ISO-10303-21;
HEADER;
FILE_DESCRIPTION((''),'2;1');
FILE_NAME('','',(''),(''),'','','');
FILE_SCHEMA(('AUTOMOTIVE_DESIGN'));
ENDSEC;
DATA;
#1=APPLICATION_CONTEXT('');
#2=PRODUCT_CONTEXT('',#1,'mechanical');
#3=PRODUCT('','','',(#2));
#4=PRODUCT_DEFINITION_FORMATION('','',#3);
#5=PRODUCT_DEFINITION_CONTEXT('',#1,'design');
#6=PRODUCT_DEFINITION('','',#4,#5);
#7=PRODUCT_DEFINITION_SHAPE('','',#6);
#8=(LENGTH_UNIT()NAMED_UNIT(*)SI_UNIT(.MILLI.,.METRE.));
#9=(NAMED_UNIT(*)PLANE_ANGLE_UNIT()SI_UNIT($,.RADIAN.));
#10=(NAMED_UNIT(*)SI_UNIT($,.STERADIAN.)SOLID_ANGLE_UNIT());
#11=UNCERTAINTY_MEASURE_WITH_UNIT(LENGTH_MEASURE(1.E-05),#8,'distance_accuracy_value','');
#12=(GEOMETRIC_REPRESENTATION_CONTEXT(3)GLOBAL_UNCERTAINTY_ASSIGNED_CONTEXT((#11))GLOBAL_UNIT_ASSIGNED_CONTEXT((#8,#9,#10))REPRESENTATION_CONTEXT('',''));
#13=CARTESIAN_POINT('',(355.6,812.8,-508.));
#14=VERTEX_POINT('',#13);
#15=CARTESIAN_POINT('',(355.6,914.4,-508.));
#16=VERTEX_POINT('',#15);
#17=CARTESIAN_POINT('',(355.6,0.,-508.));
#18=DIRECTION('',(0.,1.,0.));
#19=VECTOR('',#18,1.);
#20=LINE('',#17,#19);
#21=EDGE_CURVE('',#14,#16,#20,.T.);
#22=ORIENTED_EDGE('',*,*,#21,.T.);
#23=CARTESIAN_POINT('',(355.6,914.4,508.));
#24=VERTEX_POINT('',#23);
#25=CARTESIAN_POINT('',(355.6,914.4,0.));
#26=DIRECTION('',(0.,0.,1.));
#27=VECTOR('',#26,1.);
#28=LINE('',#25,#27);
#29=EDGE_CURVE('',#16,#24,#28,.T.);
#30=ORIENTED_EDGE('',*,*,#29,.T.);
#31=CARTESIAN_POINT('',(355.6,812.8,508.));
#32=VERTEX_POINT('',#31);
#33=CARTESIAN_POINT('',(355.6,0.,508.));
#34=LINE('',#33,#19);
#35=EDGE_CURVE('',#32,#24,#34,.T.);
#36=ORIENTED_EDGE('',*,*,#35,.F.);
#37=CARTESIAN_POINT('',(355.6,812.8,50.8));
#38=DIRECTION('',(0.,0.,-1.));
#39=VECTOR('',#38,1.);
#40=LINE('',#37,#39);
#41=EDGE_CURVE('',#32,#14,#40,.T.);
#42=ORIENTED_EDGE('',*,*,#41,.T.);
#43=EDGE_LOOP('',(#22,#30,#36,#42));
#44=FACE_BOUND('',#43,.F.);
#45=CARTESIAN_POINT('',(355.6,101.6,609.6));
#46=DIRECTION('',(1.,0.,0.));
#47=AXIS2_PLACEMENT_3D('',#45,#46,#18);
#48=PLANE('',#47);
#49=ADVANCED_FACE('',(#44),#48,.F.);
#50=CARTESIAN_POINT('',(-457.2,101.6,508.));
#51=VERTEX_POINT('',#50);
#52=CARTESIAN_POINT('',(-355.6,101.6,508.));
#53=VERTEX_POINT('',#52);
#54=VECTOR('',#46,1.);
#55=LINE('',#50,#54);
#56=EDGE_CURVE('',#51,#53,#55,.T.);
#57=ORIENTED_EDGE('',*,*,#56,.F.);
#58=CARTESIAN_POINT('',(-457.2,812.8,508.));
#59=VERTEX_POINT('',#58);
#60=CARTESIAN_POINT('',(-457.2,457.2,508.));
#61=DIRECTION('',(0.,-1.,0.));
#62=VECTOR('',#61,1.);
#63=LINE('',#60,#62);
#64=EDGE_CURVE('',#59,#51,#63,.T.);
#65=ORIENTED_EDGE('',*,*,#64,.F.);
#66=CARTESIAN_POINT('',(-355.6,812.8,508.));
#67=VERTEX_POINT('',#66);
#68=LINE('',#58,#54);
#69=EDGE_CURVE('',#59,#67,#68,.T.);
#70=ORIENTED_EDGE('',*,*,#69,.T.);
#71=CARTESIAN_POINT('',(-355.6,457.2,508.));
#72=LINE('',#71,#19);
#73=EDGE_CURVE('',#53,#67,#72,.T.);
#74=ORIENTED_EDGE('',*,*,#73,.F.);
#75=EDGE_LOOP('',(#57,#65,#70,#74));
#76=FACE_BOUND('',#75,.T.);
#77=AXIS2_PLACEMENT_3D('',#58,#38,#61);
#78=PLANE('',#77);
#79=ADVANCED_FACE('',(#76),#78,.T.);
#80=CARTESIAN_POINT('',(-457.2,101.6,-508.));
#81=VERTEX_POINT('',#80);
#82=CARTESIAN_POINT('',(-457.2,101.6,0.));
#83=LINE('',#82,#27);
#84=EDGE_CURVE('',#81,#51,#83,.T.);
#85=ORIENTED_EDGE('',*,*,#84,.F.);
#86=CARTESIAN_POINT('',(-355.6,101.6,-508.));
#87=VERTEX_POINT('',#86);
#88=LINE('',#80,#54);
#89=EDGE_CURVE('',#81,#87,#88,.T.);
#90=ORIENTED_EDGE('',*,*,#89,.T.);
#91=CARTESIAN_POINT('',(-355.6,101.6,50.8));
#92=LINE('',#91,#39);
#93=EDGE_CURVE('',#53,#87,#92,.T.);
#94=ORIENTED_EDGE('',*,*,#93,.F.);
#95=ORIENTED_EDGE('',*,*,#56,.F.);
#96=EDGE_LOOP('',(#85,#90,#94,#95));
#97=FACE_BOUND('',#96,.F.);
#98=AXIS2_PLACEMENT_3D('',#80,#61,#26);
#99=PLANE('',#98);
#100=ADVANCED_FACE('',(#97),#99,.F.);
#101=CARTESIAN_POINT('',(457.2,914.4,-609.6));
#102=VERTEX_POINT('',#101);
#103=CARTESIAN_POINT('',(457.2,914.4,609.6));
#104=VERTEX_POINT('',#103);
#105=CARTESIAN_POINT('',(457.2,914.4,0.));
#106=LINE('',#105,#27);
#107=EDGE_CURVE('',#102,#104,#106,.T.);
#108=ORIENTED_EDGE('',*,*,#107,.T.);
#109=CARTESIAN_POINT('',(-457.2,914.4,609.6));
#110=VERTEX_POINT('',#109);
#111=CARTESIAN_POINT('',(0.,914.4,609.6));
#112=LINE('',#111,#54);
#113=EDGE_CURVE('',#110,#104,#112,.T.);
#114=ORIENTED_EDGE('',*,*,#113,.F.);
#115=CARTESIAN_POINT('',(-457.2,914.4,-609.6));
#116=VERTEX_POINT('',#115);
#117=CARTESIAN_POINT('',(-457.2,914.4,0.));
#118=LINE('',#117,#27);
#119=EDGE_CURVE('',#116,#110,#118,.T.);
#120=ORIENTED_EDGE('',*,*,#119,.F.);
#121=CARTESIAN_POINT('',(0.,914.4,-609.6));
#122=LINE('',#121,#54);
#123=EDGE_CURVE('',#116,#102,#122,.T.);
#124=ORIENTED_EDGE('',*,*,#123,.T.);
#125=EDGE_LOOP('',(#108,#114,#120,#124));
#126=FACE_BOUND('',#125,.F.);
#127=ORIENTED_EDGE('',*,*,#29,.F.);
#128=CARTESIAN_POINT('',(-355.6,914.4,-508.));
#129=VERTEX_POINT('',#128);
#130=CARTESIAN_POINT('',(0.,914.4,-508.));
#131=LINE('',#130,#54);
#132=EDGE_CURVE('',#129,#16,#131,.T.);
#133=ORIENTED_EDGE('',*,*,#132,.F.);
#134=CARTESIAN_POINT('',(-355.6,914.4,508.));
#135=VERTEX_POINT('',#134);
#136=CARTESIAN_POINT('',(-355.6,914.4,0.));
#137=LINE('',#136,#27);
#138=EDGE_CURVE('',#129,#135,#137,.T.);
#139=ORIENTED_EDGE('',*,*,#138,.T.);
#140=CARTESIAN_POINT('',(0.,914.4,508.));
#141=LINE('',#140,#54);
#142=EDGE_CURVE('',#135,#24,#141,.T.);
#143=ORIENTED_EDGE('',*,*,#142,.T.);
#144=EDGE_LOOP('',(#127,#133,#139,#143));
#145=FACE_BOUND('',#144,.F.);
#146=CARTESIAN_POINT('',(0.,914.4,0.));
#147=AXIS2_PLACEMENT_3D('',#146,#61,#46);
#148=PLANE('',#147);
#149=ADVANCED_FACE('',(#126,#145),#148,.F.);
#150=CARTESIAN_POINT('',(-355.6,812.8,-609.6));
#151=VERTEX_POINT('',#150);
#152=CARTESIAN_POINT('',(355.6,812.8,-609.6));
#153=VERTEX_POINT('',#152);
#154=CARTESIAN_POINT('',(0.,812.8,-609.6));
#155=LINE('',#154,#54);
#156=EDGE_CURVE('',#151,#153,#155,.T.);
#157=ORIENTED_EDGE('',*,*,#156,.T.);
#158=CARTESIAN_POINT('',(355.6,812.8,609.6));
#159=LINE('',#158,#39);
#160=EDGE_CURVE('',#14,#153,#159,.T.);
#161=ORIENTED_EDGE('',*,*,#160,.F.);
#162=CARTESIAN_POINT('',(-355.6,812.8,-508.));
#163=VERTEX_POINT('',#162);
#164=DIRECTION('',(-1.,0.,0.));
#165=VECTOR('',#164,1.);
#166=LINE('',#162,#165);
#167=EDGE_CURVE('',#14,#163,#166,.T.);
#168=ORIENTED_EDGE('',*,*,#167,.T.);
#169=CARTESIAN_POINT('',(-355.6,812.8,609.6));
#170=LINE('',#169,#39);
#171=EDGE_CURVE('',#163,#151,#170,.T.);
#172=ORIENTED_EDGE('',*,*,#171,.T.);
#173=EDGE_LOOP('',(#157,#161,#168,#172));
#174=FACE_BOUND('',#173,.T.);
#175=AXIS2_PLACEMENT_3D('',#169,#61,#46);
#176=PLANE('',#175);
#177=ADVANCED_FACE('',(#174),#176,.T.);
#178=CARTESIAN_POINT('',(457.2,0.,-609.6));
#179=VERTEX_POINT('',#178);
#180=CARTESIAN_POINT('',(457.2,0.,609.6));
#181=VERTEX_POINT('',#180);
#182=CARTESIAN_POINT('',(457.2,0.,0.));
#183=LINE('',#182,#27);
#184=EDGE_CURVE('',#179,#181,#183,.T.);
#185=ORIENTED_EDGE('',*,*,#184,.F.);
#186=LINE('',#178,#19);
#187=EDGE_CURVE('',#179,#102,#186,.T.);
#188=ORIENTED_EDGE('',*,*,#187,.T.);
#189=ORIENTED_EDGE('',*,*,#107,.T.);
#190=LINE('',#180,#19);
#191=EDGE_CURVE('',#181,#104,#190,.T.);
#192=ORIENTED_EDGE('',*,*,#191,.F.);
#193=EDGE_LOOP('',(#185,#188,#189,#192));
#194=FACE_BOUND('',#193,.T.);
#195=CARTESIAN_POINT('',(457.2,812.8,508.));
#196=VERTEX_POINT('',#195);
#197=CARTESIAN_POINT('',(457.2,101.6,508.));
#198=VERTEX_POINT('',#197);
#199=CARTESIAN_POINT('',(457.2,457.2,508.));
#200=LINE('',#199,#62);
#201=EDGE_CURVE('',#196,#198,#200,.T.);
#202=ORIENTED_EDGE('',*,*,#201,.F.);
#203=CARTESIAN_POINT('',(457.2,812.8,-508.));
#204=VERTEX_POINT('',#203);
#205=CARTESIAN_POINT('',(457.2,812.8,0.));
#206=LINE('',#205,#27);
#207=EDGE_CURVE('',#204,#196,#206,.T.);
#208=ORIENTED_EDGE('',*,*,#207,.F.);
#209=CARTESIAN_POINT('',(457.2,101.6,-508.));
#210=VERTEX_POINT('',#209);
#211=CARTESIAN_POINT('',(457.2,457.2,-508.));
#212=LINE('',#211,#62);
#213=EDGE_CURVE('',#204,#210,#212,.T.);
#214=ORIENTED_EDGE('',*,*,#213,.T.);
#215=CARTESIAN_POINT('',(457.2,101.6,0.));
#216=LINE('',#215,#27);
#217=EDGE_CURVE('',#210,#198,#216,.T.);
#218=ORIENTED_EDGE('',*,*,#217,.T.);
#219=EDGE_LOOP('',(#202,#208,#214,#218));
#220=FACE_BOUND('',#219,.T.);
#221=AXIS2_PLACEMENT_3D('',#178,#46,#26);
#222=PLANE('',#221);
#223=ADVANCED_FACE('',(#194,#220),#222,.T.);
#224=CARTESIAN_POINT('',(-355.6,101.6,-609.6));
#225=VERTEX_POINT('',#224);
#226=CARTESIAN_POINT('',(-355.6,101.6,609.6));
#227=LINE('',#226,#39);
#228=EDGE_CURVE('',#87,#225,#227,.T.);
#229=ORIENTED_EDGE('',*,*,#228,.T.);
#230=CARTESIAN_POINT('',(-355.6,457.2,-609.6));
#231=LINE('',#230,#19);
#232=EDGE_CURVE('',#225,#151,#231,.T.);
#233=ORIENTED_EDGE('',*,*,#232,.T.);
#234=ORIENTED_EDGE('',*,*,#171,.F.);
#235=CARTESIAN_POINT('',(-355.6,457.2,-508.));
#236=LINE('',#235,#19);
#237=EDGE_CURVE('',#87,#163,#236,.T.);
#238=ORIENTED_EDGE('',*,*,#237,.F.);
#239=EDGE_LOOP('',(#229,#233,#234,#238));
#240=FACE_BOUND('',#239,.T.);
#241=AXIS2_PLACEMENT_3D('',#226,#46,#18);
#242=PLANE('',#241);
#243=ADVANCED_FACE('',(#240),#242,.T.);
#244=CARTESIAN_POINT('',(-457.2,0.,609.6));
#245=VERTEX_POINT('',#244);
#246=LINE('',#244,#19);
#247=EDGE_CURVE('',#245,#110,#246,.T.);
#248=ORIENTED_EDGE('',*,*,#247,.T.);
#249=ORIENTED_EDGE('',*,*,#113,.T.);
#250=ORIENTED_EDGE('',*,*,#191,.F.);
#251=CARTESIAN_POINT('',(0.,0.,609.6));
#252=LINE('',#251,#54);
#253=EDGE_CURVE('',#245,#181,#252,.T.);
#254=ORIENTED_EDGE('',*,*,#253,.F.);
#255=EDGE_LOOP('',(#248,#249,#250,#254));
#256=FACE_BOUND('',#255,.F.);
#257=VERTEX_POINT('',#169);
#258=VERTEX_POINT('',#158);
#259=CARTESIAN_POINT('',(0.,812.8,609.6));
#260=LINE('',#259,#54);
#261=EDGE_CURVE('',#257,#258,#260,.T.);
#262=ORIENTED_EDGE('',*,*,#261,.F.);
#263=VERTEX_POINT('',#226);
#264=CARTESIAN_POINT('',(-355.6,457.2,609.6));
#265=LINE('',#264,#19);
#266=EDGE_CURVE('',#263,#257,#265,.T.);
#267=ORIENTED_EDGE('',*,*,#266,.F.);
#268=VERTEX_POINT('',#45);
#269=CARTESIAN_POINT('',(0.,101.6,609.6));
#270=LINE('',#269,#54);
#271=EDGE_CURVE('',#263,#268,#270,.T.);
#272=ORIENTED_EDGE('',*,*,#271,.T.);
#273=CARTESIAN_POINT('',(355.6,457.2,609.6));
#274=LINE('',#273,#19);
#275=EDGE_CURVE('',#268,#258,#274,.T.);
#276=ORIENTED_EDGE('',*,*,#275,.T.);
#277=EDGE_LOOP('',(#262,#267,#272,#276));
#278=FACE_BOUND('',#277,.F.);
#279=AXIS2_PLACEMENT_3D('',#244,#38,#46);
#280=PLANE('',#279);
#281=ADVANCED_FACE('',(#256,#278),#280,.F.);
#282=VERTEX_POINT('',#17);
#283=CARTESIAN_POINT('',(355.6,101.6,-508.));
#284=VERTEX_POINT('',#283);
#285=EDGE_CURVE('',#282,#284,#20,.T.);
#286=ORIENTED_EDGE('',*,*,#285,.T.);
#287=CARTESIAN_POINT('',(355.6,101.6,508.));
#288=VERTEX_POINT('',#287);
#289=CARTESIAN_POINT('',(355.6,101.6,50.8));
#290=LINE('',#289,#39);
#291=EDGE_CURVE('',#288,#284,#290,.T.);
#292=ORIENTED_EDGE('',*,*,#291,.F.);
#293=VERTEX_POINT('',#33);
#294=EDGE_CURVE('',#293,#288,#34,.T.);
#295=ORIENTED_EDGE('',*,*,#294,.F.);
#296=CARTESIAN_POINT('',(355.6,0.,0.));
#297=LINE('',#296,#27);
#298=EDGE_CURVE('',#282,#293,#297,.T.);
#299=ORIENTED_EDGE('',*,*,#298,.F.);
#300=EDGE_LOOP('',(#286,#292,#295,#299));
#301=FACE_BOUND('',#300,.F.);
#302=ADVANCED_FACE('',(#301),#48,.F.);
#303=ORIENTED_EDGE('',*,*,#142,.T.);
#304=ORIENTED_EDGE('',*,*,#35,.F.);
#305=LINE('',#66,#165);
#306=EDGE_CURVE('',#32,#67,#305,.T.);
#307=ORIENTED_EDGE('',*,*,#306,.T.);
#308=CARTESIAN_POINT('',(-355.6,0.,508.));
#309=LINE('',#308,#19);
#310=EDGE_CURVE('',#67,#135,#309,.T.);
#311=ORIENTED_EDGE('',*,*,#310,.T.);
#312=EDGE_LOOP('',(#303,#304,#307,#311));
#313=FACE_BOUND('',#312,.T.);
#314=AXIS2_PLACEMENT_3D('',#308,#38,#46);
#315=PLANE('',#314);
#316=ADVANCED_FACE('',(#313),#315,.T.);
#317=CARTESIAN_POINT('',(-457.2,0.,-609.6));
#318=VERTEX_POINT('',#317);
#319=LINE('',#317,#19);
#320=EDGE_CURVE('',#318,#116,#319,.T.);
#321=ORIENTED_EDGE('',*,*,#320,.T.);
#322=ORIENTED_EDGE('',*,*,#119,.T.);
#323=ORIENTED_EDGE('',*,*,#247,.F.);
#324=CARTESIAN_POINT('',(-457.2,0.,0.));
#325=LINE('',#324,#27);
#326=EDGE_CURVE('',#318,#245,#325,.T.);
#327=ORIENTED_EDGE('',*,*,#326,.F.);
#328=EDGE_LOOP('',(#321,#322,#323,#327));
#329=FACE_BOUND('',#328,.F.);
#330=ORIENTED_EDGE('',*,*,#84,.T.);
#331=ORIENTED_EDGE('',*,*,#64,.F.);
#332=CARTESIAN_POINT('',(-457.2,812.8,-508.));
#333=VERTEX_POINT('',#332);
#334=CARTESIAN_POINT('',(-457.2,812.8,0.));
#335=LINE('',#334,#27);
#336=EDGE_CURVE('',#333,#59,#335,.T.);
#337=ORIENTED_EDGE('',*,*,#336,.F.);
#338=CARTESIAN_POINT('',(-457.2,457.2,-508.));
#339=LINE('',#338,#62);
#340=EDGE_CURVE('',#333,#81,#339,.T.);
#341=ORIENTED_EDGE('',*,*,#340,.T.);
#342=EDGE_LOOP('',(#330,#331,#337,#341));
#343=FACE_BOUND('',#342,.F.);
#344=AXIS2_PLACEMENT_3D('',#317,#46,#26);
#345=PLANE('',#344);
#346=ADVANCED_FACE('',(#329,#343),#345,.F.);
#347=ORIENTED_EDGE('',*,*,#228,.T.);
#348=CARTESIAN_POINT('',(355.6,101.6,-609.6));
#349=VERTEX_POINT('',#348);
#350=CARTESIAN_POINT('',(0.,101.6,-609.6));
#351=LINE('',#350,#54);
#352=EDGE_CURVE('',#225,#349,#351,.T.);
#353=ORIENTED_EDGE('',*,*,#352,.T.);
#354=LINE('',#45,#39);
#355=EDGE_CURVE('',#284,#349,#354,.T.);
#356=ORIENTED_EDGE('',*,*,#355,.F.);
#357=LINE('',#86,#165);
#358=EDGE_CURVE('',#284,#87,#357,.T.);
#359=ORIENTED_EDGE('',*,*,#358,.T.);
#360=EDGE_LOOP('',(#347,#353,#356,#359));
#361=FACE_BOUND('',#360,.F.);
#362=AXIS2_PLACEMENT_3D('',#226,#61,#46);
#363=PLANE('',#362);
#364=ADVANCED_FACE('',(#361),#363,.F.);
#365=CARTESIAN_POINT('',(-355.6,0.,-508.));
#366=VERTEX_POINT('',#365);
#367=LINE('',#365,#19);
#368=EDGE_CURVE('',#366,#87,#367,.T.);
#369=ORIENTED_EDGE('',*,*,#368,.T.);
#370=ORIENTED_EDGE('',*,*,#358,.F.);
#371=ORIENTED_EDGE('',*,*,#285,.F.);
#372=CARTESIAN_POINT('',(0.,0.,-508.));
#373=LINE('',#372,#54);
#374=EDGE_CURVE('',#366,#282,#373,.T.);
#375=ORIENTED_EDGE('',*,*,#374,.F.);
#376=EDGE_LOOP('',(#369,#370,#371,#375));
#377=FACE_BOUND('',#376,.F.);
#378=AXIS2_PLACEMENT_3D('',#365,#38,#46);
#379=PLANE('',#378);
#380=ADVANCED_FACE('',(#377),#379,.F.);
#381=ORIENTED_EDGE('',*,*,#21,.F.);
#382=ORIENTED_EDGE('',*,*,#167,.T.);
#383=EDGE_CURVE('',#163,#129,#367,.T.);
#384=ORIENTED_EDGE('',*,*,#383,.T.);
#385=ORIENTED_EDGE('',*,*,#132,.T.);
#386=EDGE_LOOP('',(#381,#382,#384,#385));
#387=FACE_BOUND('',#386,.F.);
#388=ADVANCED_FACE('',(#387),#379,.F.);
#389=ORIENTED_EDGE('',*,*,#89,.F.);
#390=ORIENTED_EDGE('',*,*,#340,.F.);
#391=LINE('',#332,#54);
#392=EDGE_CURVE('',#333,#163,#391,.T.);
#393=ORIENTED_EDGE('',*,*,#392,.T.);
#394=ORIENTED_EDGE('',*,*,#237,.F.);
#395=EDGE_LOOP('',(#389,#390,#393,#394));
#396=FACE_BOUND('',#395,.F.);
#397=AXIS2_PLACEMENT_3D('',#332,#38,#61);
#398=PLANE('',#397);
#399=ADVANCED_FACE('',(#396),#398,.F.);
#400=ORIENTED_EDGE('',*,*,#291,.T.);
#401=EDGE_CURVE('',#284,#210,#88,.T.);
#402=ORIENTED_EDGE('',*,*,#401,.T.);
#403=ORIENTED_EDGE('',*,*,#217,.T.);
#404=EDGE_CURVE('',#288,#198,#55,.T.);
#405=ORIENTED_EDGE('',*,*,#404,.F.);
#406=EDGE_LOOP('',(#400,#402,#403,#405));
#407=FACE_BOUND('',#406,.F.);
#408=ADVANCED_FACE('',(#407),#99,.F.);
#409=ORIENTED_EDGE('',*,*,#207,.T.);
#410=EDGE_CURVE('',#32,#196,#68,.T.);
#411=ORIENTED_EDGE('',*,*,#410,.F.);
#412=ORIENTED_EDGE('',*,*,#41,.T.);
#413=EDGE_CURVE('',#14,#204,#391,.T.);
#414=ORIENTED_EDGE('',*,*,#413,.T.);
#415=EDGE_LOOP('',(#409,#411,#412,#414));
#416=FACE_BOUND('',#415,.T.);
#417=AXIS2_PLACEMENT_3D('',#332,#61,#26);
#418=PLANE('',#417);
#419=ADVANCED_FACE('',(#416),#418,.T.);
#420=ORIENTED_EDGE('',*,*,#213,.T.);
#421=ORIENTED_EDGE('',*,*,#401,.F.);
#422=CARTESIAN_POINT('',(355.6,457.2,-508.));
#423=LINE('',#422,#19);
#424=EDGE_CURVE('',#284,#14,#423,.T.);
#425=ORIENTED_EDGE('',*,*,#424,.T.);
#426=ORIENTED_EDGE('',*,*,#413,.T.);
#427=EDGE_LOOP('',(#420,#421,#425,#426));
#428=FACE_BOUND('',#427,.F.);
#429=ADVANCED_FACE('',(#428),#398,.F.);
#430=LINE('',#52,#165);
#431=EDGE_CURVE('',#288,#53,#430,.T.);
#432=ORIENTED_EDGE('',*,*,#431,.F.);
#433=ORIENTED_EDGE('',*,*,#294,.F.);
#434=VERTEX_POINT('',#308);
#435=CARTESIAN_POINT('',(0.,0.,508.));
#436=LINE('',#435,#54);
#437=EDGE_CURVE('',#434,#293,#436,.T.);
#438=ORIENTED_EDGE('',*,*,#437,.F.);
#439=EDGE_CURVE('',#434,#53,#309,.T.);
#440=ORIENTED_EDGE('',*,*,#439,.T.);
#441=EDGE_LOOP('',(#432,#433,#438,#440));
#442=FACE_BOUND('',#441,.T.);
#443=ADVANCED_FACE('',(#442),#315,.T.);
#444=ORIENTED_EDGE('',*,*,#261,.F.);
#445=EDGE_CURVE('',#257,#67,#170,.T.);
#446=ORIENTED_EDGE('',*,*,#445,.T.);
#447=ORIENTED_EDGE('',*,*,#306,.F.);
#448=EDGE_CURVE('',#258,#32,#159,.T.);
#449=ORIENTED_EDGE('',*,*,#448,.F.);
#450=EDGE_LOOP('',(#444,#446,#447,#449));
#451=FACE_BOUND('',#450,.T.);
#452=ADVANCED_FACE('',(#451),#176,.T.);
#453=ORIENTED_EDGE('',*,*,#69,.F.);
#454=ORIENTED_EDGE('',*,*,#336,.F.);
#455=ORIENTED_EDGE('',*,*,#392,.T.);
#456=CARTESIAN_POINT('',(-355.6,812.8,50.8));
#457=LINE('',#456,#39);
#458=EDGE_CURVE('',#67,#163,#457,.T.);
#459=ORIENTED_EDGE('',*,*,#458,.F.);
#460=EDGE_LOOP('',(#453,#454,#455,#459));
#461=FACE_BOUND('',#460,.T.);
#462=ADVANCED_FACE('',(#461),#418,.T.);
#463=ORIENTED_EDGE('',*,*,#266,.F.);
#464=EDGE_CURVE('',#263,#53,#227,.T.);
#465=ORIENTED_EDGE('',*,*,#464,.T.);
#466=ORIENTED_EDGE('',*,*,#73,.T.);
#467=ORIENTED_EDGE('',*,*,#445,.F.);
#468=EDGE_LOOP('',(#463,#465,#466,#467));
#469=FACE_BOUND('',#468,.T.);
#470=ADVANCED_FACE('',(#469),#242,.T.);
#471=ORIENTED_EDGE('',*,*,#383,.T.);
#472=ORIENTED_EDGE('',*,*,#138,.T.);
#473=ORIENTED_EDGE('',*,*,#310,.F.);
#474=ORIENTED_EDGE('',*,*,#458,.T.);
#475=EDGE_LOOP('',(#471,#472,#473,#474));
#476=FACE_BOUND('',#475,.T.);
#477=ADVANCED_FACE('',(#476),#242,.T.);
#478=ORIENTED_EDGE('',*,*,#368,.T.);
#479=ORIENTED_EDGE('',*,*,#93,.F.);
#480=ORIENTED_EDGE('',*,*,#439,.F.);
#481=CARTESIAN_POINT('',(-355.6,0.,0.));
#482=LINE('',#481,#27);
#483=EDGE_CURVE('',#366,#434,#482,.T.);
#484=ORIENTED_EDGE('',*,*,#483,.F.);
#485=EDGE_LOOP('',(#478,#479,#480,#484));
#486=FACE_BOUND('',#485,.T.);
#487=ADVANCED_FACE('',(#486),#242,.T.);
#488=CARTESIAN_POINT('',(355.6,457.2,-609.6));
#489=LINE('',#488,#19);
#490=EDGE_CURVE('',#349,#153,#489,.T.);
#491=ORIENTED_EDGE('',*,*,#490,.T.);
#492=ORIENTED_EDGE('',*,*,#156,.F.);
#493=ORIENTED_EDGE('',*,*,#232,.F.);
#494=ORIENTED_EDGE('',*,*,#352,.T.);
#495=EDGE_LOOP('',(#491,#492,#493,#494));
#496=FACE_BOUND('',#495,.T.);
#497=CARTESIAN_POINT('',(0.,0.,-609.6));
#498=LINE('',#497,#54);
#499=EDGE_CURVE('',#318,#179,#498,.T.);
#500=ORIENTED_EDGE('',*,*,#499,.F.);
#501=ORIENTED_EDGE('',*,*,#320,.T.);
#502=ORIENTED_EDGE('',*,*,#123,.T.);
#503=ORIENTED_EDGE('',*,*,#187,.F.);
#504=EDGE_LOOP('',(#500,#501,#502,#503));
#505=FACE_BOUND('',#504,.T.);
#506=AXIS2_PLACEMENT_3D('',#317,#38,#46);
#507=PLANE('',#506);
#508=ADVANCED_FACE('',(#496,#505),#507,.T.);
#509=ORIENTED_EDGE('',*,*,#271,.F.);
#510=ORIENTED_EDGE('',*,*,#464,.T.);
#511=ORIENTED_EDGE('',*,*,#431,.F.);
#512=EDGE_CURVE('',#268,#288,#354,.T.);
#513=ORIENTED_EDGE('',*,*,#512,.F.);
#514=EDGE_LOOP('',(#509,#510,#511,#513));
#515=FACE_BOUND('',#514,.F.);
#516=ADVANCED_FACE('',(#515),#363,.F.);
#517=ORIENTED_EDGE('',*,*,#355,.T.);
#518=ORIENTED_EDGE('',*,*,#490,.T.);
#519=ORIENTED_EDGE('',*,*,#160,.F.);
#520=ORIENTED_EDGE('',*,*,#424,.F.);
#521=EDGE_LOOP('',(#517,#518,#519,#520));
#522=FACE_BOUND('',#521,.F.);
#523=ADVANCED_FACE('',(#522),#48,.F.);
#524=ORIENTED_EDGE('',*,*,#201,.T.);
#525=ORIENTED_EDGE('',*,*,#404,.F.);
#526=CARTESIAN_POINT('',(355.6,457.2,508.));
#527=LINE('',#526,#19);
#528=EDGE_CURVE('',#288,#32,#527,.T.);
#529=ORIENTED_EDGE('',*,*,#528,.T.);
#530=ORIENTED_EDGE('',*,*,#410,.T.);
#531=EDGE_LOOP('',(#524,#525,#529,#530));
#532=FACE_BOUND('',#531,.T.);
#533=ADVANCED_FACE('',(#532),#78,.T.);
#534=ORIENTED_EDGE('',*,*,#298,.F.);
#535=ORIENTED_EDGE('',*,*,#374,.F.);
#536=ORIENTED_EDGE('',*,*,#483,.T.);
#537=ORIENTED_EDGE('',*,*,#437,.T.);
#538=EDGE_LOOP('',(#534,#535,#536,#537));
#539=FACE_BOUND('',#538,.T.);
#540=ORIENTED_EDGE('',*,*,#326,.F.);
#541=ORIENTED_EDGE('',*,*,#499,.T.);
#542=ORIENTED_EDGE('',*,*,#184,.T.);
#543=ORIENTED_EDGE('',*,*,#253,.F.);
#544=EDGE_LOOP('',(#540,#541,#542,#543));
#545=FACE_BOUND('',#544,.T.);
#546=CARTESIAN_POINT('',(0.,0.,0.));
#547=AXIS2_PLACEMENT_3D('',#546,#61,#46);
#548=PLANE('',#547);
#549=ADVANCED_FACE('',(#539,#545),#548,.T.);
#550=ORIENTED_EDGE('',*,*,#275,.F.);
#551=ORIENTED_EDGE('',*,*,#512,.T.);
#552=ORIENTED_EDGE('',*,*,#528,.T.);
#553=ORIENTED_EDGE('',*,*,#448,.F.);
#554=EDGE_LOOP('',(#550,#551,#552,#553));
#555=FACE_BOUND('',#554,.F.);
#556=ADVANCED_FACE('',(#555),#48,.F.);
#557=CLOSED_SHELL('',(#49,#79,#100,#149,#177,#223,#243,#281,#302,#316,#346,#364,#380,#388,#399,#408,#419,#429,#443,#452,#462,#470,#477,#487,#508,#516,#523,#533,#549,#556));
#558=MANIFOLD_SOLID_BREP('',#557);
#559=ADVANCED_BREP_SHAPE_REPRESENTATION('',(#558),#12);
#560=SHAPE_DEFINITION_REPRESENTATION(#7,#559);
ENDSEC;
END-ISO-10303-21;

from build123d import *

# Parameters (mm, degrees)
F0_W     = 914.4
F0_H     = 1219.2
F0_W_2   = 711.2
F0_H_2   = 1016
F1_DEPTH = 914.4
F2_W     = 711.2
F2_H     = 711.2
F3_DEPTH = 1219.2
F4_W     = 711.2
F4_H     = 1016
F5_DEPTH = 914.4


with BuildPart() as f1:
    # F0 (on Front) → F1 (new body)
    with BuildSketch(Plane.XZ):
        Rectangle(F0_W, F0_H)
        Rectangle(F0_W_2, F0_H_2, mode=Mode.SUBTRACT)
    extrude(amount=-F1_DEPTH)

    # F2 (on face) → F3 (cut)
    with BuildSketch(Plane.XY.offset(609.6)):
        with Locations((0, 457.2)):
            Rectangle(F2_W, F2_H)
    extrude(amount=-F3_DEPTH, mode=Mode.SUBTRACT)

    # F4 (on face) → F5 (cut)
    with BuildSketch(Plane(origin=(-457.2, 0, 0), x_dir=(0, -1, 0), z_dir=(-1, 0, 0))):
        with Locations((-457.2, 0)):
            Rectangle(F4_W, F4_H)
    extrude(amount=-F5_DEPTH, mode=Mode.SUBTRACT)


solid = f1.part
